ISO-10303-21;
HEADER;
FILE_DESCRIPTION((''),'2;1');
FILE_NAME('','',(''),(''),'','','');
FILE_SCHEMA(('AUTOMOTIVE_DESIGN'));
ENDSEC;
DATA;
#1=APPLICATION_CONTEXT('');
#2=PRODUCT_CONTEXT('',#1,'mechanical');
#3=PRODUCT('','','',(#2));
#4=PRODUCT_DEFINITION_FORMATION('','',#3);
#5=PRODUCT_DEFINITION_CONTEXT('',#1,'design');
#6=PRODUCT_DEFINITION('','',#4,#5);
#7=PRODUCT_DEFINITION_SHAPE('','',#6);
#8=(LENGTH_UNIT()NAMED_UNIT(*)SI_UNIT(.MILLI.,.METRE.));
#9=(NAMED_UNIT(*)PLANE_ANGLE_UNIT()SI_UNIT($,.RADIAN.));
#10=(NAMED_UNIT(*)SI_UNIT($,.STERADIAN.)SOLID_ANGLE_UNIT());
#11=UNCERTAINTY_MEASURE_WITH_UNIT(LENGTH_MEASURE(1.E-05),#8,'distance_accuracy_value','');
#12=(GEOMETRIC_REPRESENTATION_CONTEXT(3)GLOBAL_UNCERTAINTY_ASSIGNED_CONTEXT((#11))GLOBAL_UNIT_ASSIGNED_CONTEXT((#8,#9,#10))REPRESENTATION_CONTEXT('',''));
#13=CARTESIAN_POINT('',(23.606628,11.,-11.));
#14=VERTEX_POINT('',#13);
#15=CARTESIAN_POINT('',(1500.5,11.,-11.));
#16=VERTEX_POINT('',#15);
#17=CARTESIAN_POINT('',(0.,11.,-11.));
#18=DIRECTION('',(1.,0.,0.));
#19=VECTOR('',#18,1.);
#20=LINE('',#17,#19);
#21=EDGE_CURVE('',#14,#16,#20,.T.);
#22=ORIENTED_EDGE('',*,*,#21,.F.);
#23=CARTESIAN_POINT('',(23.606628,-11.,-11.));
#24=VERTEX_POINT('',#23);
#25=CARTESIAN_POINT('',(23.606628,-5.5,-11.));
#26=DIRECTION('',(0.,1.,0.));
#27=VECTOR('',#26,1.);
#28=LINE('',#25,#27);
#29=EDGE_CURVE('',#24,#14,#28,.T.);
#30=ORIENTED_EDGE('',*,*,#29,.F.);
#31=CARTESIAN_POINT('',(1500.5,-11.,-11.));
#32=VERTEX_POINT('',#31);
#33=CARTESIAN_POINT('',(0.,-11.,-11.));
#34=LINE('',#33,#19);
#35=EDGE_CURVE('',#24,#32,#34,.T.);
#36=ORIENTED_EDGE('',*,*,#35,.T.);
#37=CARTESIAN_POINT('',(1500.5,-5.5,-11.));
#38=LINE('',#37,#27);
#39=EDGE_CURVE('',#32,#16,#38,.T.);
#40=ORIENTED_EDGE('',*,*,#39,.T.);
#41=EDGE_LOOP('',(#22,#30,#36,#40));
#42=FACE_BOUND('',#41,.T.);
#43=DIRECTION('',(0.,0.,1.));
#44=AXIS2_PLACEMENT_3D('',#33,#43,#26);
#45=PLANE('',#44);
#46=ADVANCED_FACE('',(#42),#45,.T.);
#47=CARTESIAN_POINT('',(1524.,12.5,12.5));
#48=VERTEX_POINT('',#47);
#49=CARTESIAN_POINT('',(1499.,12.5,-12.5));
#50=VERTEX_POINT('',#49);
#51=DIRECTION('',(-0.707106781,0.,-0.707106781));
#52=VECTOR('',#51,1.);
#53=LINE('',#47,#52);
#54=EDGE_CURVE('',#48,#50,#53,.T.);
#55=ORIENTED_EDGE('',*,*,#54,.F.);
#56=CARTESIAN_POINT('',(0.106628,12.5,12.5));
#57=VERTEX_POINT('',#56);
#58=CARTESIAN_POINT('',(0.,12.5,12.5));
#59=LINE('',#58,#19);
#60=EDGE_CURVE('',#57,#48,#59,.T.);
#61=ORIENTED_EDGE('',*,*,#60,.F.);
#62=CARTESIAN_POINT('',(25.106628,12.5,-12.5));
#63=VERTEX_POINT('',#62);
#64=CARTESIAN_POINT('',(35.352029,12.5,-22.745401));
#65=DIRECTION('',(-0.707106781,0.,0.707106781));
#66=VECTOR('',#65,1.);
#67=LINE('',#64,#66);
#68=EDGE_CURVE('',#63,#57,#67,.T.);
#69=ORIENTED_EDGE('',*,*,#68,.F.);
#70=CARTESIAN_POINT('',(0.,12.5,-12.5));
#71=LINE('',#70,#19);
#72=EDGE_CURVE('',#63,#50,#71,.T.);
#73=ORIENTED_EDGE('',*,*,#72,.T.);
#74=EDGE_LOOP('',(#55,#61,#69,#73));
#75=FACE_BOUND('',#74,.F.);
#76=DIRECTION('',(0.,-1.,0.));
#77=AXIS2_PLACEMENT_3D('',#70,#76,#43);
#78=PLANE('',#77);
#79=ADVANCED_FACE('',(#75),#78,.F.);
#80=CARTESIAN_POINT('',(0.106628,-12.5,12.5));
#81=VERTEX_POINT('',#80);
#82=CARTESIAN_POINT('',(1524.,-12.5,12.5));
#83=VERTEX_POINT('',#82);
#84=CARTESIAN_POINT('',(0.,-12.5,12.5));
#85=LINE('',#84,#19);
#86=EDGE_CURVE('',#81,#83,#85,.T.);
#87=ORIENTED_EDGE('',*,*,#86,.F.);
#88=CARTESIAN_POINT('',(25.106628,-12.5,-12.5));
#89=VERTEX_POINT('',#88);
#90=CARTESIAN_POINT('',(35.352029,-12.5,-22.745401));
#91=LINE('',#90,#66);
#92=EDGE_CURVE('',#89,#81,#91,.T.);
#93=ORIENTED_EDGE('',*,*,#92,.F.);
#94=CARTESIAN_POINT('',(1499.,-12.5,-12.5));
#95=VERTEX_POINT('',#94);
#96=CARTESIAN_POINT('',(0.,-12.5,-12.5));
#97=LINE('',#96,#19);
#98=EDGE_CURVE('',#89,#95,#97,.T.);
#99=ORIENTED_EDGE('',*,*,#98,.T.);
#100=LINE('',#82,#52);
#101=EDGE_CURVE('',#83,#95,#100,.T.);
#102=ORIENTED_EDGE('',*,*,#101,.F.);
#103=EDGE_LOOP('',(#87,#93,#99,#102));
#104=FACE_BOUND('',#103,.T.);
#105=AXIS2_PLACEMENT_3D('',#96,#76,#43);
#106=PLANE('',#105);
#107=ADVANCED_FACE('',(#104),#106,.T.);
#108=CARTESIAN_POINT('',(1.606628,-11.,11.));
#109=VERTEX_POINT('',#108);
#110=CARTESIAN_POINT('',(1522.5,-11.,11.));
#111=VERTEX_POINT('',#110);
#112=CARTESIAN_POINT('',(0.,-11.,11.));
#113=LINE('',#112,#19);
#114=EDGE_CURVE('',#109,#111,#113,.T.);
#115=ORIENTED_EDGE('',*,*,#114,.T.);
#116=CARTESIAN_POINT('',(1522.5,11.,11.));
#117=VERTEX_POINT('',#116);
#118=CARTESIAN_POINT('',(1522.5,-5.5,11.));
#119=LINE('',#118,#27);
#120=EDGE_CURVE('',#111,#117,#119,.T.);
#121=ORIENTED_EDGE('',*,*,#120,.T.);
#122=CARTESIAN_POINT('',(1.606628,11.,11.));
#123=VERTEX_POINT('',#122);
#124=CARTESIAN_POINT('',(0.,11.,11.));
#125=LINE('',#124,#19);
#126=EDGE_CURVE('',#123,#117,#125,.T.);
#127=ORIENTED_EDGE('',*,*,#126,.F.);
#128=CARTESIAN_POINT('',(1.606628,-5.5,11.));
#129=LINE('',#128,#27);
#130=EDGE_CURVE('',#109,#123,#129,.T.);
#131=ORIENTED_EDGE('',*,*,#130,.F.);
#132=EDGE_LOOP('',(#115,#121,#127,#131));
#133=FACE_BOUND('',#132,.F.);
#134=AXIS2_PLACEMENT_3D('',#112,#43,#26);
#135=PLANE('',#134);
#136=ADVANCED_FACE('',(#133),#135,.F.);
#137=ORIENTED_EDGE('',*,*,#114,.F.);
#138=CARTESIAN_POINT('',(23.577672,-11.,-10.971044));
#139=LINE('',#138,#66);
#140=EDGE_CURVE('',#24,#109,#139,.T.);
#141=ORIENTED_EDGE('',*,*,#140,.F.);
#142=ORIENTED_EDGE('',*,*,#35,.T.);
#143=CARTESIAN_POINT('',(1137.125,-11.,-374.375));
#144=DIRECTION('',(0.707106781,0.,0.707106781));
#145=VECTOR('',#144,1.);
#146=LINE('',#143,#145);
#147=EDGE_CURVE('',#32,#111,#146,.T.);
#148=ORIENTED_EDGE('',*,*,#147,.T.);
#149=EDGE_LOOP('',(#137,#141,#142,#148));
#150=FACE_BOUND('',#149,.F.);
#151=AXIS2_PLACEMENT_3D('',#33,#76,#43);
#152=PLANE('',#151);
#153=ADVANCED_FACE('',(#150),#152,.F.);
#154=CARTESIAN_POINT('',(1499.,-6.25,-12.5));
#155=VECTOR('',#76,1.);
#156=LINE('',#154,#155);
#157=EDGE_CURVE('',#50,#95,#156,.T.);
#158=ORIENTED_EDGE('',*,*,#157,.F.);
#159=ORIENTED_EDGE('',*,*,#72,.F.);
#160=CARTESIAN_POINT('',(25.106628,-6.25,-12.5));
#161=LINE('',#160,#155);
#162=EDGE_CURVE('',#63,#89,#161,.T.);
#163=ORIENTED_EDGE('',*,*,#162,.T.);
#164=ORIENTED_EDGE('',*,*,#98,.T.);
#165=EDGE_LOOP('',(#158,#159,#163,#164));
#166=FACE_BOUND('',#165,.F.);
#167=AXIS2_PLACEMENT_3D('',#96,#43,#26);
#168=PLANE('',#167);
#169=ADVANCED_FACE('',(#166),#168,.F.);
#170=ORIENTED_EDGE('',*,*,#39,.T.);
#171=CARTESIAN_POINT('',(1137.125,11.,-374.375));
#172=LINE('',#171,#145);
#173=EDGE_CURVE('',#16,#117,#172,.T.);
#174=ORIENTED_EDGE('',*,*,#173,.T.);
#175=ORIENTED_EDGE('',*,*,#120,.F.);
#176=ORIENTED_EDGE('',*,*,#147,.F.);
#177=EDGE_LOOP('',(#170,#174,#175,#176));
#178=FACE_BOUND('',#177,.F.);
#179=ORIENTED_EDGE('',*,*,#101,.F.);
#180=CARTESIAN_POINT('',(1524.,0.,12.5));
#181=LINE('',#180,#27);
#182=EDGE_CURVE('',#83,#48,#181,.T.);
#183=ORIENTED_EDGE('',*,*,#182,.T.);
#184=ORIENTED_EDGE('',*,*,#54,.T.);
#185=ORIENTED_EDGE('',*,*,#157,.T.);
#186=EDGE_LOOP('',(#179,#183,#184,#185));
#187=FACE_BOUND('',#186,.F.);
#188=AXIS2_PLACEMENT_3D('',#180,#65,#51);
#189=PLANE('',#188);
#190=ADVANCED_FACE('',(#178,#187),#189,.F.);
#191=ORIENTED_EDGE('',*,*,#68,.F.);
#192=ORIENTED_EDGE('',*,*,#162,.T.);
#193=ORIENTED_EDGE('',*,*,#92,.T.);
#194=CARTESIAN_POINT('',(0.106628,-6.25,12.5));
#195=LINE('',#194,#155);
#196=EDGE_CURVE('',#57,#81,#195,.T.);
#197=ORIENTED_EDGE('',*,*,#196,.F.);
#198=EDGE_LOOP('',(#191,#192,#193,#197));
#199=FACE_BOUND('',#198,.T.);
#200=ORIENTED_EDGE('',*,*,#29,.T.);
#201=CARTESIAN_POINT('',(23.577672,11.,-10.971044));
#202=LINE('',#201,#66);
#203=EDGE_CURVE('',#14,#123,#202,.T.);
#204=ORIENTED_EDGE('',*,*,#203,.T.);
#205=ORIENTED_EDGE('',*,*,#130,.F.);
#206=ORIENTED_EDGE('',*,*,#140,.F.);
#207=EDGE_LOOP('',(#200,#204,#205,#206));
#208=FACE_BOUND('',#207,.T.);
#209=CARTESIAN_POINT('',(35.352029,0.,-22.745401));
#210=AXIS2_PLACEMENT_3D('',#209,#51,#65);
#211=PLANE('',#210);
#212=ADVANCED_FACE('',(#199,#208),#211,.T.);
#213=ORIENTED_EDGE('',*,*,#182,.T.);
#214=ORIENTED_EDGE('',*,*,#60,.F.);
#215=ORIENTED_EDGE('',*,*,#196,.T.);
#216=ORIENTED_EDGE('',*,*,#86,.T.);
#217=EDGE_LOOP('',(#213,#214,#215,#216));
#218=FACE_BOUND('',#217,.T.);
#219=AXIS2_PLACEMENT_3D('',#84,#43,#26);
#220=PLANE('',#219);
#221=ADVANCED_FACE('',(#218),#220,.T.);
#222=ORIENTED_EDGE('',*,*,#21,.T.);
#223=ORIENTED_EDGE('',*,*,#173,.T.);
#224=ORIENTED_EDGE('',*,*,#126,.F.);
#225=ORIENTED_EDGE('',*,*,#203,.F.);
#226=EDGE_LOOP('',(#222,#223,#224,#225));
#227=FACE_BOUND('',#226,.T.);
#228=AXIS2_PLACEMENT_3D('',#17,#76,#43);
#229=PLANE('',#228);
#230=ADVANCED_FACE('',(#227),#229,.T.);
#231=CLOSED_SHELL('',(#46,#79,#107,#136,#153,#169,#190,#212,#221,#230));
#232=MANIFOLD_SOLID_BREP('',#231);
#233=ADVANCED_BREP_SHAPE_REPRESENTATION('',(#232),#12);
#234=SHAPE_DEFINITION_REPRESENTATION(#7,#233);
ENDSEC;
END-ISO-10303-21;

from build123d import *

# Parameters (mm, degrees)
F0_W     = 25
F0_H     = 25
F1_DEPTH = 1524
F3_DEPTH = 12.5
F4_W     = 22
F4_H     = 22
F5_DEPTH = 1524.001


with BuildPart() as f1:
    # F0 (on Right) → F1 (new body)
    with BuildSketch(Plane.YZ):
        Rectangle(F0_W, F0_H)
    extrude(amount=F1_DEPTH)

    # F2 (on Front) → F3 (cut, symmetric)
    with BuildSketch(Plane.XZ):
        Polygon((35.352029, -22.745401), (0, 12.606628), (0, -26.686775), align=None)
        Polygon((1524, -22.745401), (1524, 12.5), (1494.63703, -16.86297), align=None)
    extrude(amount=F3_DEPTH, both=True, mode=Mode.SUBTRACT)

    # F4 (on Right) → F5 (cut, through all)
    with BuildSketch(Plane.YZ):
        Rectangle(F4_W, F4_H)
    extrude(amount=F5_DEPTH, mode=Mode.SUBTRACT)


solid = f1.part
